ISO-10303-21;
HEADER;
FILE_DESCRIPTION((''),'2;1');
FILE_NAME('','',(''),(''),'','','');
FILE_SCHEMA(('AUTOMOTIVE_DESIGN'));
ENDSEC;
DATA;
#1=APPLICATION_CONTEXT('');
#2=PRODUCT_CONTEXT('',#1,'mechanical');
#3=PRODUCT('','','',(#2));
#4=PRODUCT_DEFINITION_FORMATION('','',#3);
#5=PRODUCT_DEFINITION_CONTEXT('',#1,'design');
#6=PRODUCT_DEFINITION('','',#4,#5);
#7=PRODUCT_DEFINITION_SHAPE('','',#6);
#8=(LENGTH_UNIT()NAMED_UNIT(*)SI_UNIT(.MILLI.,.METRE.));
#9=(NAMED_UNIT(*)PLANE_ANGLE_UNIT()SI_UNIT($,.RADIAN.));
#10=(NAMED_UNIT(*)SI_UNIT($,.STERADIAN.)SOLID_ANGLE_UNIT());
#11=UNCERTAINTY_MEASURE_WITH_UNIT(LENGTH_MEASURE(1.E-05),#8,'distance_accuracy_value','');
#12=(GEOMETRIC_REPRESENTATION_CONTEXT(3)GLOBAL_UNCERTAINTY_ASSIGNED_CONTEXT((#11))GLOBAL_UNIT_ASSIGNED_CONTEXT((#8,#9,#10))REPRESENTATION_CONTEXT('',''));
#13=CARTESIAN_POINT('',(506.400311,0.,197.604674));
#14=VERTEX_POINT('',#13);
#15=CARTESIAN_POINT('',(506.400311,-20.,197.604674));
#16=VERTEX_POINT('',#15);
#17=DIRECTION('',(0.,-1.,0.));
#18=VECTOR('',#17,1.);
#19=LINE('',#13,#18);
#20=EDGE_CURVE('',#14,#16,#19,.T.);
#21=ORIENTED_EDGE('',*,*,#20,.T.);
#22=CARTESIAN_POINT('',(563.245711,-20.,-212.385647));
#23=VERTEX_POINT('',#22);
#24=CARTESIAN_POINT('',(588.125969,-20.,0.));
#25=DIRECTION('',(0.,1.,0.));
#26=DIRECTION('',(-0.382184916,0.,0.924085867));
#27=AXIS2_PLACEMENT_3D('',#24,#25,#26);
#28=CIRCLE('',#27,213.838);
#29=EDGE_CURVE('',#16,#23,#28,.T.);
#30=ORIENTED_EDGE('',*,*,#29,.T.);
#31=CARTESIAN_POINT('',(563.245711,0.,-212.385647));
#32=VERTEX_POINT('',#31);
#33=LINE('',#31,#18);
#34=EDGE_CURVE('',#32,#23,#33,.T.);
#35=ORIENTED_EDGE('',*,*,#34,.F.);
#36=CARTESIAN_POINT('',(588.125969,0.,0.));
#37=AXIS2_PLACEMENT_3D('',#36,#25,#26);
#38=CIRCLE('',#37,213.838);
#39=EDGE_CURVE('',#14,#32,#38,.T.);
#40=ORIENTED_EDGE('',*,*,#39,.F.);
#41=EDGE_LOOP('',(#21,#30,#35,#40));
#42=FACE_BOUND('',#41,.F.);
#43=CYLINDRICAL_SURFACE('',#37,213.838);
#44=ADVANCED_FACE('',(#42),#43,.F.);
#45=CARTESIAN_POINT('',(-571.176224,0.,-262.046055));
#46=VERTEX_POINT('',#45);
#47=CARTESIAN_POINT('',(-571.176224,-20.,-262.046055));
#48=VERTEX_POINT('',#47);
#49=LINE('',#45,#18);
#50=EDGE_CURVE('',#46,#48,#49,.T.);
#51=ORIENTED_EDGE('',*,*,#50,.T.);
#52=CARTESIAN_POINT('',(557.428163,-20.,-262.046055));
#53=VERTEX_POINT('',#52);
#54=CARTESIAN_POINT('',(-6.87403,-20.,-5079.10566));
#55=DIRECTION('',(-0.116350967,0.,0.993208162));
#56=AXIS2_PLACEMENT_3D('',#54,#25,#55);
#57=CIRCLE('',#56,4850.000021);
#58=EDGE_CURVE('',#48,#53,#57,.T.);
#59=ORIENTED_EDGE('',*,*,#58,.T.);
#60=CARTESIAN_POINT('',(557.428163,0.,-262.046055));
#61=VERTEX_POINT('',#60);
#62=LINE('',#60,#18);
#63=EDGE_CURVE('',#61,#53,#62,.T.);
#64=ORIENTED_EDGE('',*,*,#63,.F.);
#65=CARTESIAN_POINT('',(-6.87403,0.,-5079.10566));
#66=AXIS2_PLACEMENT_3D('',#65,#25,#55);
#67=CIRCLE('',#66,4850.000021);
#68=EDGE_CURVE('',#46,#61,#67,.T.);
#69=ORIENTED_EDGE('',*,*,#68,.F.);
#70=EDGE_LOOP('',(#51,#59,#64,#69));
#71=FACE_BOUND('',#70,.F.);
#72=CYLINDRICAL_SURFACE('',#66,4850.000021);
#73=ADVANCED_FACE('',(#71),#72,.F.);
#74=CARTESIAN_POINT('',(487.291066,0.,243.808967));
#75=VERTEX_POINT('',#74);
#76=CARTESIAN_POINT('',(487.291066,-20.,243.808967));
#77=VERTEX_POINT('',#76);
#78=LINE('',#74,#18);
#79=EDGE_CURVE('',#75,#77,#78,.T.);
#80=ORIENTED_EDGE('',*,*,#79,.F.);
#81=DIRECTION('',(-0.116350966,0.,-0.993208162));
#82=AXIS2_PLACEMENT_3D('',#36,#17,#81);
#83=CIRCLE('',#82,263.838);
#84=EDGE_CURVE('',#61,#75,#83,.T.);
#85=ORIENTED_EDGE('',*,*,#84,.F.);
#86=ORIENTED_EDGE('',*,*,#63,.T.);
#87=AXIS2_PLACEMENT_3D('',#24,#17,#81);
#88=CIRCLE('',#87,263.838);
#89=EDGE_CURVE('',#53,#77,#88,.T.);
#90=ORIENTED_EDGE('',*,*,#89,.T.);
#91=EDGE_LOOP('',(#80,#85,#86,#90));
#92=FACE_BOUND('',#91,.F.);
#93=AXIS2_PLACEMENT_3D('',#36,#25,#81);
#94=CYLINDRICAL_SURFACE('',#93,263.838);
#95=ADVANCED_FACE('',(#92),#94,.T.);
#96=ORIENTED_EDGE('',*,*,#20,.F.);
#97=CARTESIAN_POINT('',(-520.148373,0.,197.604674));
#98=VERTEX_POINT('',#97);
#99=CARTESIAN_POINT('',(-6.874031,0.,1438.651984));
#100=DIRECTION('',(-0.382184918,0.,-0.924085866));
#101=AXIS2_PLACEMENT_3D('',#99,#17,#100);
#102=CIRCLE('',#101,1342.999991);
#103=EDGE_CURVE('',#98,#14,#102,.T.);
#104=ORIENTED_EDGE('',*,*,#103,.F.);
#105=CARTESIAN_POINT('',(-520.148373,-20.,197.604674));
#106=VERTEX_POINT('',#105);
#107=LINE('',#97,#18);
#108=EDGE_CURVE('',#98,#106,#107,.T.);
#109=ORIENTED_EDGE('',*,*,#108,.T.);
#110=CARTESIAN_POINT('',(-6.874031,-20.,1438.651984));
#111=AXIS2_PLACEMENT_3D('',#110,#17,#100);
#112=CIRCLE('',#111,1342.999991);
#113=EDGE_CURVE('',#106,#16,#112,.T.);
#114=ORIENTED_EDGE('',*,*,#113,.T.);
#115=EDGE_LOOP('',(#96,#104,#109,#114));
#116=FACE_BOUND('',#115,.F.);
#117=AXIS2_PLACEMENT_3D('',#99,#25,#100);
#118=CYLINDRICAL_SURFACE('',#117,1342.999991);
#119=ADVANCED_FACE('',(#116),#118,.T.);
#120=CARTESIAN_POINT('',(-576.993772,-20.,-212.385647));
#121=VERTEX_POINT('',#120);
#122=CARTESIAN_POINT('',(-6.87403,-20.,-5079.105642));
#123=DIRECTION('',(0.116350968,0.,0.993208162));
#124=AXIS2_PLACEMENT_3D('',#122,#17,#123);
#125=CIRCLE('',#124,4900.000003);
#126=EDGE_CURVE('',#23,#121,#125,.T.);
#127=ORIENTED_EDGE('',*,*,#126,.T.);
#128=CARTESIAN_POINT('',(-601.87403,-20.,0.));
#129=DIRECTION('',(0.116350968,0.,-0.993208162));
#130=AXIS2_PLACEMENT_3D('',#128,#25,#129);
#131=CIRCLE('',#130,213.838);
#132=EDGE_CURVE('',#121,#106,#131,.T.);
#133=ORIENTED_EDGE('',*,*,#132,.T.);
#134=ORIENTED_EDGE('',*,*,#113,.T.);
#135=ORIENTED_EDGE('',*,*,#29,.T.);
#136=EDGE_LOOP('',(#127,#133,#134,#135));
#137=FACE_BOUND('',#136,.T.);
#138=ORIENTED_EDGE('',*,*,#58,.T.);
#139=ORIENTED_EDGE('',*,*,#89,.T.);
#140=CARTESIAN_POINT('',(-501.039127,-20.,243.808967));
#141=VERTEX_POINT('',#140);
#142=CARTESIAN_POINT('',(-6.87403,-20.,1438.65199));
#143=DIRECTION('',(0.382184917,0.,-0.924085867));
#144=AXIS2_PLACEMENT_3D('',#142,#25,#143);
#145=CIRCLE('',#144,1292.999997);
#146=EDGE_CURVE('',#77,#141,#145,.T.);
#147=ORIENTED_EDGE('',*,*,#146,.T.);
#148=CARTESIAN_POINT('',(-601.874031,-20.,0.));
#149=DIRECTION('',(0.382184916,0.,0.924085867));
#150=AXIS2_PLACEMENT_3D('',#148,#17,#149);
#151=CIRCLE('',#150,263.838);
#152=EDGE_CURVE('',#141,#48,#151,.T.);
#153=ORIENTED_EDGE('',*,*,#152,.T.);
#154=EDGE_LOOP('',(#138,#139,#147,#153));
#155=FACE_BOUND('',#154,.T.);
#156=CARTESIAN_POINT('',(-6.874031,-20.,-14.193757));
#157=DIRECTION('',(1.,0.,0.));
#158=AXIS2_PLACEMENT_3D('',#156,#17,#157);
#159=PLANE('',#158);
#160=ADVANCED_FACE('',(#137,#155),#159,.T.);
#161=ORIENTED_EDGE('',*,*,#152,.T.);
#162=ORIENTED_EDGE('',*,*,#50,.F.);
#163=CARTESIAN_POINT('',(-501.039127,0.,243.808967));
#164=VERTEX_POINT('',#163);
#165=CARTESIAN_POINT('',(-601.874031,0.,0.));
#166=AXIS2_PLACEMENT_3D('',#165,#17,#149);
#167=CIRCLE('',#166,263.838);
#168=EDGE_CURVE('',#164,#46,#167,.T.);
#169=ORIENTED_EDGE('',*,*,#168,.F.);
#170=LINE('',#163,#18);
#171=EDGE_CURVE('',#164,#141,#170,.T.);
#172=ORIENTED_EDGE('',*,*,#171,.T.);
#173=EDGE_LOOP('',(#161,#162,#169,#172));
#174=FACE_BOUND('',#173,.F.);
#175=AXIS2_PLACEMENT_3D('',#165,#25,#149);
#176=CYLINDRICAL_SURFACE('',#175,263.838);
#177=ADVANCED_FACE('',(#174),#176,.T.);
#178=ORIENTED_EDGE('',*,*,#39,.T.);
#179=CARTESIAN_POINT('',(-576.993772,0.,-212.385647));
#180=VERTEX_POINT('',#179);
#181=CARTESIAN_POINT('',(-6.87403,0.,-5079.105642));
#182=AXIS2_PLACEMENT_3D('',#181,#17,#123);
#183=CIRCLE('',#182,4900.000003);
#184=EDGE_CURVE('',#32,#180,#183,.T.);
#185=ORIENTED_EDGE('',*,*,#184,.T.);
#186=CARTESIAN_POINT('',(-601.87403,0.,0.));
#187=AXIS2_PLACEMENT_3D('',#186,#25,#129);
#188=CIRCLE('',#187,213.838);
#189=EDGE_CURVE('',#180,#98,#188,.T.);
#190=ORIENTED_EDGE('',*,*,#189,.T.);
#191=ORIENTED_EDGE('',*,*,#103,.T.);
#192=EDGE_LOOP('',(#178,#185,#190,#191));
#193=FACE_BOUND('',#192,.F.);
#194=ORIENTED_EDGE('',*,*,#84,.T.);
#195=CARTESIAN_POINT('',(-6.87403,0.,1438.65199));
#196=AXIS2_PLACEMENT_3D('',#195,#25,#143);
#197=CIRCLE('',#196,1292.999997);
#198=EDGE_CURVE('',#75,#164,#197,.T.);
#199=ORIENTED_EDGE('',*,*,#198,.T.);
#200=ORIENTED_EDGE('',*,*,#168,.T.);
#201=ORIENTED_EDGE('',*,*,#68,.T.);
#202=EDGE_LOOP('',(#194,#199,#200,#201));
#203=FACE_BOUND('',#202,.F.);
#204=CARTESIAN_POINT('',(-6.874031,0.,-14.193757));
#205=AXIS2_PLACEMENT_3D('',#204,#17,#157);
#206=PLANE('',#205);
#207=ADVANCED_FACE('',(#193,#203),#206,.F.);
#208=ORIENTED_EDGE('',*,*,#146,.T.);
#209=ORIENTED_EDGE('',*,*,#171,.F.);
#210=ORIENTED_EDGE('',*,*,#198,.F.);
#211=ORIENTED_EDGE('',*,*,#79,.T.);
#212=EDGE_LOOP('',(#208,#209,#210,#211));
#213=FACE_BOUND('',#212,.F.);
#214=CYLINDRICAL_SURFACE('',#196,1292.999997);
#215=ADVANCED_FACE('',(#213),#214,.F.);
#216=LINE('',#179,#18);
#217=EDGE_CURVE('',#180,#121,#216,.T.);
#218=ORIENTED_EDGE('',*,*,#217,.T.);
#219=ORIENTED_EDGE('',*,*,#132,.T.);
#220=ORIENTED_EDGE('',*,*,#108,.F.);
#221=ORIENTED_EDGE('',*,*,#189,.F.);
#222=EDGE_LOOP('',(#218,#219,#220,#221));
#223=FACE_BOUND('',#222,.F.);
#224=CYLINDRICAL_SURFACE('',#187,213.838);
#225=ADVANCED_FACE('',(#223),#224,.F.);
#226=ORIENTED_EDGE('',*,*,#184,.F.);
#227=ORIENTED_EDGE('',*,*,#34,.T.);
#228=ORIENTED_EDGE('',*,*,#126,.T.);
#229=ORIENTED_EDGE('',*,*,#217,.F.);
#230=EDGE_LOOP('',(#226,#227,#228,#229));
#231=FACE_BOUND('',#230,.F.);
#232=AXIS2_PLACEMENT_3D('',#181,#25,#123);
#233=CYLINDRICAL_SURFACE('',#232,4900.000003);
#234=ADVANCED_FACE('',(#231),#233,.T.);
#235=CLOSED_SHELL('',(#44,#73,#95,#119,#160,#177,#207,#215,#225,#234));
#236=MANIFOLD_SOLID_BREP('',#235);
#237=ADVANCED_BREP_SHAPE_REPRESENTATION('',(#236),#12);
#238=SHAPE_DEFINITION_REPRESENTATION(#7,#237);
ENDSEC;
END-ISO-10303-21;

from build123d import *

# Parameters (mm, degrees)
F1_DEPTH = 20


with BuildPart() as f1:
    # F0 (on Front) → F1 (new body)
    with BuildSketch(Plane.XZ):
        with BuildLine():
            ThreePointArc((487.291066, 243.808967), (-6.874031, 145.651993), (-501.039127, 243.808967))
            ThreePointArc((-501.039127, 243.808967), (-863.21201, 36.234665), (-571.176224, -262.046055))
            ThreePointArc((-571.176224, -262.046055), (-6.874031, -229.105639), (557.428163, -262.046055))
            ThreePointArc((557.428163, -262.046055), (849.463948, 36.234665), (487.291066, 243.808967))
        make_face()
        with BuildLine():
            ThreePointArc((-576.993772, -212.385647), (-813.685789, 29.367825), (-520.148373, 197.604674))
            ThreePointArc((-520.148373, 197.604674), (-6.874031, 95.651993), (506.400311, 197.604674))
            ThreePointArc((506.400311, 197.604674), (799.937728, 29.367825), (563.245711, -212.385647))
            ThreePointArc((563.245711, -212.385647), (-6.874031, -179.105639), (-576.993772, -212.385647))
        make_face(mode=Mode.SUBTRACT)
    extrude(amount=F1_DEPTH)


solid = f1.part
